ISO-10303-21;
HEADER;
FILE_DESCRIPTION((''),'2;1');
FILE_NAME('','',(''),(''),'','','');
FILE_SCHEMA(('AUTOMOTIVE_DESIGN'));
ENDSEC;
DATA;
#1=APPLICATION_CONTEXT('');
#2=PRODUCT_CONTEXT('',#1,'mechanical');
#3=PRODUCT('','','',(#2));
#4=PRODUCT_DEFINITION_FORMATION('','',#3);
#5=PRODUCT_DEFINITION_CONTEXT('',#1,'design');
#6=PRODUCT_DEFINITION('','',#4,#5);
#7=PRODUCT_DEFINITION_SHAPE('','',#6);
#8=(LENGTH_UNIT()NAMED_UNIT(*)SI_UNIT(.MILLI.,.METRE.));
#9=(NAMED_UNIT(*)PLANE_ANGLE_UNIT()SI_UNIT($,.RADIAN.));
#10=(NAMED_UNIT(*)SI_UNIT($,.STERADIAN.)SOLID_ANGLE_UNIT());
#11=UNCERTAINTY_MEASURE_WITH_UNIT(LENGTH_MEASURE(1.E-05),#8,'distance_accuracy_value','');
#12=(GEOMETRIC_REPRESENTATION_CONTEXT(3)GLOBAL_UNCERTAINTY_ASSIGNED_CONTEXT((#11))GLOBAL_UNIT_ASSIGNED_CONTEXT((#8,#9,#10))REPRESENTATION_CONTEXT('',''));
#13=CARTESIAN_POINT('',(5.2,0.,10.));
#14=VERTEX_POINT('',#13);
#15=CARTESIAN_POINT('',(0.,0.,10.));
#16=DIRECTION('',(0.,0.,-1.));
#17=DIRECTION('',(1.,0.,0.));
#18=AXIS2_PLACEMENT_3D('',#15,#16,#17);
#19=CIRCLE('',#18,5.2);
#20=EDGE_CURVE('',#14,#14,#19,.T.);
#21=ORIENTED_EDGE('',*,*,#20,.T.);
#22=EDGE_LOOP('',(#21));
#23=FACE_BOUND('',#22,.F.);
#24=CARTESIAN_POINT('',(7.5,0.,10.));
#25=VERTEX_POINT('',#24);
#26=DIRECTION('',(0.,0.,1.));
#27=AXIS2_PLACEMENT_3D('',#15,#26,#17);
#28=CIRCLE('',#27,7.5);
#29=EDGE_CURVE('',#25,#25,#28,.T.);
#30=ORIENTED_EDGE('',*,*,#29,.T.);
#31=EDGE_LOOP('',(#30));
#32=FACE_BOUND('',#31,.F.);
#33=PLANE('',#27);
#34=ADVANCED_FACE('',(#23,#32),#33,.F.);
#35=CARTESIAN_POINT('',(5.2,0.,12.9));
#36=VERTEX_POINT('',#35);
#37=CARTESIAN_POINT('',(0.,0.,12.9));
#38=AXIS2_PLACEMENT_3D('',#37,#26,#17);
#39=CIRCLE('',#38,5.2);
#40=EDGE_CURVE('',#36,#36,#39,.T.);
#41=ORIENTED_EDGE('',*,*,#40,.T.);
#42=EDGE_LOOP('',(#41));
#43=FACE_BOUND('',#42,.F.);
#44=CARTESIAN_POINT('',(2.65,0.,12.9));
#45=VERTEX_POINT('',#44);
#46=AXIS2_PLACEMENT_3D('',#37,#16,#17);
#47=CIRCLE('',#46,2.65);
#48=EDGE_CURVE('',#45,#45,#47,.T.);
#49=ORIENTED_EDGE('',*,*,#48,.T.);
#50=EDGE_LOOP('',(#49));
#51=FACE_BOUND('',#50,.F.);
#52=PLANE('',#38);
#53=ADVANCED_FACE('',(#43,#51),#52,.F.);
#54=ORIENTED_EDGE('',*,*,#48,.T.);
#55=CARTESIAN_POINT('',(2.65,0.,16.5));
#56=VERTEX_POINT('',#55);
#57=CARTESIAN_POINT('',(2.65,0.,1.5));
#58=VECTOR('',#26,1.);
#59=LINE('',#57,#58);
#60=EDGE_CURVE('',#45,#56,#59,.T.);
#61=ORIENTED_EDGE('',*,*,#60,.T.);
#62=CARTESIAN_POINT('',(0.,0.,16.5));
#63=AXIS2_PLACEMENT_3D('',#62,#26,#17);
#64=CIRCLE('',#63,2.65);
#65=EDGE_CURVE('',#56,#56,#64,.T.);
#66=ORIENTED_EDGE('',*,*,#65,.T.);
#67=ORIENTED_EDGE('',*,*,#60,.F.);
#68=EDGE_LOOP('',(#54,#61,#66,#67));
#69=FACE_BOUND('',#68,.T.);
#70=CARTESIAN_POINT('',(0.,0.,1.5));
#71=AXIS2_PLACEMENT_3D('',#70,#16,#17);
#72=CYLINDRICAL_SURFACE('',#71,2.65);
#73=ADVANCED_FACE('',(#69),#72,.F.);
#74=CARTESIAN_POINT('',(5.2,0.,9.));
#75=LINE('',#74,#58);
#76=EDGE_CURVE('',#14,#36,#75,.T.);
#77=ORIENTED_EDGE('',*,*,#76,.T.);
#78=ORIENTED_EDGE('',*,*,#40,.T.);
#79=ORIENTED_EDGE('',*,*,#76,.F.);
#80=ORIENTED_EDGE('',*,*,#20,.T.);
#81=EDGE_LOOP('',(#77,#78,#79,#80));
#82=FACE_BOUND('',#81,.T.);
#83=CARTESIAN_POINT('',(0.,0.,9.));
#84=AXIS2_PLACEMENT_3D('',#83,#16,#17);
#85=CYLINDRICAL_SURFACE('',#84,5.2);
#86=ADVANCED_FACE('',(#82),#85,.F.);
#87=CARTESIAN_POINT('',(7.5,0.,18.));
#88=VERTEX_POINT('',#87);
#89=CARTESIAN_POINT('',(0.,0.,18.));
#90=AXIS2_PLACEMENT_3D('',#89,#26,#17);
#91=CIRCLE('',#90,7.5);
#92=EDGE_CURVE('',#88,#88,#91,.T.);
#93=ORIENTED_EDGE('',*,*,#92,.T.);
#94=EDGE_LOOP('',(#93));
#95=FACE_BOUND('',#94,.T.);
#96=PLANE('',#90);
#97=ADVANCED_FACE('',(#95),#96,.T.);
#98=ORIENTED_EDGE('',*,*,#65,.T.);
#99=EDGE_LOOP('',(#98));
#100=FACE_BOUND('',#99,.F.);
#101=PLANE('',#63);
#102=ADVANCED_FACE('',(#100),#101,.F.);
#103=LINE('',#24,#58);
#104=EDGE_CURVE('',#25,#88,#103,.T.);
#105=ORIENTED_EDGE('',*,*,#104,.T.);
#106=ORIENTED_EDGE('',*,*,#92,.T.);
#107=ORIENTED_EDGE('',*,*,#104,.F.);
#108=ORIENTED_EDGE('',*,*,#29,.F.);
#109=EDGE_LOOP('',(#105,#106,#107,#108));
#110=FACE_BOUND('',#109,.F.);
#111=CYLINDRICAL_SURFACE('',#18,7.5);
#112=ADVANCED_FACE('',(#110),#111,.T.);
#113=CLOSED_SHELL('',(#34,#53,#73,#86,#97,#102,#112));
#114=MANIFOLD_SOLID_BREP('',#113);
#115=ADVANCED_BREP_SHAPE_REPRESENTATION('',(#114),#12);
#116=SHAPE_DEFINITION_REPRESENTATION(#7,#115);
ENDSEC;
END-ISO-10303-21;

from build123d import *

# Parameters (mm, degrees)
TUBE_R            = 5.2
TUBE_R_2          = 2.5
TUBE_DEPTH        = 3.9
CYLINDER001_R     = 2.65
CYLINDER001_DEPTH = 15
CYLINDER005_R     = 7.5
CYLINDER005_DEPTH = 8


with BuildPart() as lower_shaft_bearing:
    # Tube → Tube (new body)
    with BuildSketch(Plane.XY.offset(9)):
        Circle(TUBE_R)
        Circle(TUBE_R_2, mode=Mode.SUBTRACT)
    extrude(amount=TUBE_DEPTH)


with BuildPart() as lower_shaft_bearing_1:
    # BaseFeature004 placement: moved
    add(lower_shaft_bearing.part.moved(Location((0, 0, -9))))


with BuildPart() as lower_shaft_bearing_2:
    # Body038 placement: moved
    add(lower_shaft_bearing_1.part.moved(Location((0, 0, 9))))


with BuildPart() as fusion001:
    # Cylinder001 → Cylinder001 (new body)
    with BuildSketch(Plane.XY.offset(1.5)):
        Circle(CYLINDER001_R)
    extrude(amount=CYLINDER001_DEPTH)


with BuildPart() as fusion001_1:
    # BaseFeature003 placement: moved
    add(fusion001.part.moved(Location((0, 0, -1.5))))


with BuildPart() as fusion001_2:
    # Body014 placement: moved
    add(fusion001_1.part.moved(Location((0, 0, 1.5))))

    # Fusion001: union lower_shaft_bearing
    add(lower_shaft_bearing_2.part)


with BuildPart() as cut002:
    # Cylinder005 → Cylinder005 (join)
    with BuildSketch(Plane.XY):
        Circle(CYLINDER005_R)
    extrude(amount=CYLINDER005_DEPTH)


with BuildPart() as cut002_1:
    # Body019 placement: moved
    add(cut002.part.moved(Location((0, 0, 10))))

    # Cut002: cut Fusion001
    add(fusion001_2.part, mode=Mode.SUBTRACT)


solid = cut002_1.part
